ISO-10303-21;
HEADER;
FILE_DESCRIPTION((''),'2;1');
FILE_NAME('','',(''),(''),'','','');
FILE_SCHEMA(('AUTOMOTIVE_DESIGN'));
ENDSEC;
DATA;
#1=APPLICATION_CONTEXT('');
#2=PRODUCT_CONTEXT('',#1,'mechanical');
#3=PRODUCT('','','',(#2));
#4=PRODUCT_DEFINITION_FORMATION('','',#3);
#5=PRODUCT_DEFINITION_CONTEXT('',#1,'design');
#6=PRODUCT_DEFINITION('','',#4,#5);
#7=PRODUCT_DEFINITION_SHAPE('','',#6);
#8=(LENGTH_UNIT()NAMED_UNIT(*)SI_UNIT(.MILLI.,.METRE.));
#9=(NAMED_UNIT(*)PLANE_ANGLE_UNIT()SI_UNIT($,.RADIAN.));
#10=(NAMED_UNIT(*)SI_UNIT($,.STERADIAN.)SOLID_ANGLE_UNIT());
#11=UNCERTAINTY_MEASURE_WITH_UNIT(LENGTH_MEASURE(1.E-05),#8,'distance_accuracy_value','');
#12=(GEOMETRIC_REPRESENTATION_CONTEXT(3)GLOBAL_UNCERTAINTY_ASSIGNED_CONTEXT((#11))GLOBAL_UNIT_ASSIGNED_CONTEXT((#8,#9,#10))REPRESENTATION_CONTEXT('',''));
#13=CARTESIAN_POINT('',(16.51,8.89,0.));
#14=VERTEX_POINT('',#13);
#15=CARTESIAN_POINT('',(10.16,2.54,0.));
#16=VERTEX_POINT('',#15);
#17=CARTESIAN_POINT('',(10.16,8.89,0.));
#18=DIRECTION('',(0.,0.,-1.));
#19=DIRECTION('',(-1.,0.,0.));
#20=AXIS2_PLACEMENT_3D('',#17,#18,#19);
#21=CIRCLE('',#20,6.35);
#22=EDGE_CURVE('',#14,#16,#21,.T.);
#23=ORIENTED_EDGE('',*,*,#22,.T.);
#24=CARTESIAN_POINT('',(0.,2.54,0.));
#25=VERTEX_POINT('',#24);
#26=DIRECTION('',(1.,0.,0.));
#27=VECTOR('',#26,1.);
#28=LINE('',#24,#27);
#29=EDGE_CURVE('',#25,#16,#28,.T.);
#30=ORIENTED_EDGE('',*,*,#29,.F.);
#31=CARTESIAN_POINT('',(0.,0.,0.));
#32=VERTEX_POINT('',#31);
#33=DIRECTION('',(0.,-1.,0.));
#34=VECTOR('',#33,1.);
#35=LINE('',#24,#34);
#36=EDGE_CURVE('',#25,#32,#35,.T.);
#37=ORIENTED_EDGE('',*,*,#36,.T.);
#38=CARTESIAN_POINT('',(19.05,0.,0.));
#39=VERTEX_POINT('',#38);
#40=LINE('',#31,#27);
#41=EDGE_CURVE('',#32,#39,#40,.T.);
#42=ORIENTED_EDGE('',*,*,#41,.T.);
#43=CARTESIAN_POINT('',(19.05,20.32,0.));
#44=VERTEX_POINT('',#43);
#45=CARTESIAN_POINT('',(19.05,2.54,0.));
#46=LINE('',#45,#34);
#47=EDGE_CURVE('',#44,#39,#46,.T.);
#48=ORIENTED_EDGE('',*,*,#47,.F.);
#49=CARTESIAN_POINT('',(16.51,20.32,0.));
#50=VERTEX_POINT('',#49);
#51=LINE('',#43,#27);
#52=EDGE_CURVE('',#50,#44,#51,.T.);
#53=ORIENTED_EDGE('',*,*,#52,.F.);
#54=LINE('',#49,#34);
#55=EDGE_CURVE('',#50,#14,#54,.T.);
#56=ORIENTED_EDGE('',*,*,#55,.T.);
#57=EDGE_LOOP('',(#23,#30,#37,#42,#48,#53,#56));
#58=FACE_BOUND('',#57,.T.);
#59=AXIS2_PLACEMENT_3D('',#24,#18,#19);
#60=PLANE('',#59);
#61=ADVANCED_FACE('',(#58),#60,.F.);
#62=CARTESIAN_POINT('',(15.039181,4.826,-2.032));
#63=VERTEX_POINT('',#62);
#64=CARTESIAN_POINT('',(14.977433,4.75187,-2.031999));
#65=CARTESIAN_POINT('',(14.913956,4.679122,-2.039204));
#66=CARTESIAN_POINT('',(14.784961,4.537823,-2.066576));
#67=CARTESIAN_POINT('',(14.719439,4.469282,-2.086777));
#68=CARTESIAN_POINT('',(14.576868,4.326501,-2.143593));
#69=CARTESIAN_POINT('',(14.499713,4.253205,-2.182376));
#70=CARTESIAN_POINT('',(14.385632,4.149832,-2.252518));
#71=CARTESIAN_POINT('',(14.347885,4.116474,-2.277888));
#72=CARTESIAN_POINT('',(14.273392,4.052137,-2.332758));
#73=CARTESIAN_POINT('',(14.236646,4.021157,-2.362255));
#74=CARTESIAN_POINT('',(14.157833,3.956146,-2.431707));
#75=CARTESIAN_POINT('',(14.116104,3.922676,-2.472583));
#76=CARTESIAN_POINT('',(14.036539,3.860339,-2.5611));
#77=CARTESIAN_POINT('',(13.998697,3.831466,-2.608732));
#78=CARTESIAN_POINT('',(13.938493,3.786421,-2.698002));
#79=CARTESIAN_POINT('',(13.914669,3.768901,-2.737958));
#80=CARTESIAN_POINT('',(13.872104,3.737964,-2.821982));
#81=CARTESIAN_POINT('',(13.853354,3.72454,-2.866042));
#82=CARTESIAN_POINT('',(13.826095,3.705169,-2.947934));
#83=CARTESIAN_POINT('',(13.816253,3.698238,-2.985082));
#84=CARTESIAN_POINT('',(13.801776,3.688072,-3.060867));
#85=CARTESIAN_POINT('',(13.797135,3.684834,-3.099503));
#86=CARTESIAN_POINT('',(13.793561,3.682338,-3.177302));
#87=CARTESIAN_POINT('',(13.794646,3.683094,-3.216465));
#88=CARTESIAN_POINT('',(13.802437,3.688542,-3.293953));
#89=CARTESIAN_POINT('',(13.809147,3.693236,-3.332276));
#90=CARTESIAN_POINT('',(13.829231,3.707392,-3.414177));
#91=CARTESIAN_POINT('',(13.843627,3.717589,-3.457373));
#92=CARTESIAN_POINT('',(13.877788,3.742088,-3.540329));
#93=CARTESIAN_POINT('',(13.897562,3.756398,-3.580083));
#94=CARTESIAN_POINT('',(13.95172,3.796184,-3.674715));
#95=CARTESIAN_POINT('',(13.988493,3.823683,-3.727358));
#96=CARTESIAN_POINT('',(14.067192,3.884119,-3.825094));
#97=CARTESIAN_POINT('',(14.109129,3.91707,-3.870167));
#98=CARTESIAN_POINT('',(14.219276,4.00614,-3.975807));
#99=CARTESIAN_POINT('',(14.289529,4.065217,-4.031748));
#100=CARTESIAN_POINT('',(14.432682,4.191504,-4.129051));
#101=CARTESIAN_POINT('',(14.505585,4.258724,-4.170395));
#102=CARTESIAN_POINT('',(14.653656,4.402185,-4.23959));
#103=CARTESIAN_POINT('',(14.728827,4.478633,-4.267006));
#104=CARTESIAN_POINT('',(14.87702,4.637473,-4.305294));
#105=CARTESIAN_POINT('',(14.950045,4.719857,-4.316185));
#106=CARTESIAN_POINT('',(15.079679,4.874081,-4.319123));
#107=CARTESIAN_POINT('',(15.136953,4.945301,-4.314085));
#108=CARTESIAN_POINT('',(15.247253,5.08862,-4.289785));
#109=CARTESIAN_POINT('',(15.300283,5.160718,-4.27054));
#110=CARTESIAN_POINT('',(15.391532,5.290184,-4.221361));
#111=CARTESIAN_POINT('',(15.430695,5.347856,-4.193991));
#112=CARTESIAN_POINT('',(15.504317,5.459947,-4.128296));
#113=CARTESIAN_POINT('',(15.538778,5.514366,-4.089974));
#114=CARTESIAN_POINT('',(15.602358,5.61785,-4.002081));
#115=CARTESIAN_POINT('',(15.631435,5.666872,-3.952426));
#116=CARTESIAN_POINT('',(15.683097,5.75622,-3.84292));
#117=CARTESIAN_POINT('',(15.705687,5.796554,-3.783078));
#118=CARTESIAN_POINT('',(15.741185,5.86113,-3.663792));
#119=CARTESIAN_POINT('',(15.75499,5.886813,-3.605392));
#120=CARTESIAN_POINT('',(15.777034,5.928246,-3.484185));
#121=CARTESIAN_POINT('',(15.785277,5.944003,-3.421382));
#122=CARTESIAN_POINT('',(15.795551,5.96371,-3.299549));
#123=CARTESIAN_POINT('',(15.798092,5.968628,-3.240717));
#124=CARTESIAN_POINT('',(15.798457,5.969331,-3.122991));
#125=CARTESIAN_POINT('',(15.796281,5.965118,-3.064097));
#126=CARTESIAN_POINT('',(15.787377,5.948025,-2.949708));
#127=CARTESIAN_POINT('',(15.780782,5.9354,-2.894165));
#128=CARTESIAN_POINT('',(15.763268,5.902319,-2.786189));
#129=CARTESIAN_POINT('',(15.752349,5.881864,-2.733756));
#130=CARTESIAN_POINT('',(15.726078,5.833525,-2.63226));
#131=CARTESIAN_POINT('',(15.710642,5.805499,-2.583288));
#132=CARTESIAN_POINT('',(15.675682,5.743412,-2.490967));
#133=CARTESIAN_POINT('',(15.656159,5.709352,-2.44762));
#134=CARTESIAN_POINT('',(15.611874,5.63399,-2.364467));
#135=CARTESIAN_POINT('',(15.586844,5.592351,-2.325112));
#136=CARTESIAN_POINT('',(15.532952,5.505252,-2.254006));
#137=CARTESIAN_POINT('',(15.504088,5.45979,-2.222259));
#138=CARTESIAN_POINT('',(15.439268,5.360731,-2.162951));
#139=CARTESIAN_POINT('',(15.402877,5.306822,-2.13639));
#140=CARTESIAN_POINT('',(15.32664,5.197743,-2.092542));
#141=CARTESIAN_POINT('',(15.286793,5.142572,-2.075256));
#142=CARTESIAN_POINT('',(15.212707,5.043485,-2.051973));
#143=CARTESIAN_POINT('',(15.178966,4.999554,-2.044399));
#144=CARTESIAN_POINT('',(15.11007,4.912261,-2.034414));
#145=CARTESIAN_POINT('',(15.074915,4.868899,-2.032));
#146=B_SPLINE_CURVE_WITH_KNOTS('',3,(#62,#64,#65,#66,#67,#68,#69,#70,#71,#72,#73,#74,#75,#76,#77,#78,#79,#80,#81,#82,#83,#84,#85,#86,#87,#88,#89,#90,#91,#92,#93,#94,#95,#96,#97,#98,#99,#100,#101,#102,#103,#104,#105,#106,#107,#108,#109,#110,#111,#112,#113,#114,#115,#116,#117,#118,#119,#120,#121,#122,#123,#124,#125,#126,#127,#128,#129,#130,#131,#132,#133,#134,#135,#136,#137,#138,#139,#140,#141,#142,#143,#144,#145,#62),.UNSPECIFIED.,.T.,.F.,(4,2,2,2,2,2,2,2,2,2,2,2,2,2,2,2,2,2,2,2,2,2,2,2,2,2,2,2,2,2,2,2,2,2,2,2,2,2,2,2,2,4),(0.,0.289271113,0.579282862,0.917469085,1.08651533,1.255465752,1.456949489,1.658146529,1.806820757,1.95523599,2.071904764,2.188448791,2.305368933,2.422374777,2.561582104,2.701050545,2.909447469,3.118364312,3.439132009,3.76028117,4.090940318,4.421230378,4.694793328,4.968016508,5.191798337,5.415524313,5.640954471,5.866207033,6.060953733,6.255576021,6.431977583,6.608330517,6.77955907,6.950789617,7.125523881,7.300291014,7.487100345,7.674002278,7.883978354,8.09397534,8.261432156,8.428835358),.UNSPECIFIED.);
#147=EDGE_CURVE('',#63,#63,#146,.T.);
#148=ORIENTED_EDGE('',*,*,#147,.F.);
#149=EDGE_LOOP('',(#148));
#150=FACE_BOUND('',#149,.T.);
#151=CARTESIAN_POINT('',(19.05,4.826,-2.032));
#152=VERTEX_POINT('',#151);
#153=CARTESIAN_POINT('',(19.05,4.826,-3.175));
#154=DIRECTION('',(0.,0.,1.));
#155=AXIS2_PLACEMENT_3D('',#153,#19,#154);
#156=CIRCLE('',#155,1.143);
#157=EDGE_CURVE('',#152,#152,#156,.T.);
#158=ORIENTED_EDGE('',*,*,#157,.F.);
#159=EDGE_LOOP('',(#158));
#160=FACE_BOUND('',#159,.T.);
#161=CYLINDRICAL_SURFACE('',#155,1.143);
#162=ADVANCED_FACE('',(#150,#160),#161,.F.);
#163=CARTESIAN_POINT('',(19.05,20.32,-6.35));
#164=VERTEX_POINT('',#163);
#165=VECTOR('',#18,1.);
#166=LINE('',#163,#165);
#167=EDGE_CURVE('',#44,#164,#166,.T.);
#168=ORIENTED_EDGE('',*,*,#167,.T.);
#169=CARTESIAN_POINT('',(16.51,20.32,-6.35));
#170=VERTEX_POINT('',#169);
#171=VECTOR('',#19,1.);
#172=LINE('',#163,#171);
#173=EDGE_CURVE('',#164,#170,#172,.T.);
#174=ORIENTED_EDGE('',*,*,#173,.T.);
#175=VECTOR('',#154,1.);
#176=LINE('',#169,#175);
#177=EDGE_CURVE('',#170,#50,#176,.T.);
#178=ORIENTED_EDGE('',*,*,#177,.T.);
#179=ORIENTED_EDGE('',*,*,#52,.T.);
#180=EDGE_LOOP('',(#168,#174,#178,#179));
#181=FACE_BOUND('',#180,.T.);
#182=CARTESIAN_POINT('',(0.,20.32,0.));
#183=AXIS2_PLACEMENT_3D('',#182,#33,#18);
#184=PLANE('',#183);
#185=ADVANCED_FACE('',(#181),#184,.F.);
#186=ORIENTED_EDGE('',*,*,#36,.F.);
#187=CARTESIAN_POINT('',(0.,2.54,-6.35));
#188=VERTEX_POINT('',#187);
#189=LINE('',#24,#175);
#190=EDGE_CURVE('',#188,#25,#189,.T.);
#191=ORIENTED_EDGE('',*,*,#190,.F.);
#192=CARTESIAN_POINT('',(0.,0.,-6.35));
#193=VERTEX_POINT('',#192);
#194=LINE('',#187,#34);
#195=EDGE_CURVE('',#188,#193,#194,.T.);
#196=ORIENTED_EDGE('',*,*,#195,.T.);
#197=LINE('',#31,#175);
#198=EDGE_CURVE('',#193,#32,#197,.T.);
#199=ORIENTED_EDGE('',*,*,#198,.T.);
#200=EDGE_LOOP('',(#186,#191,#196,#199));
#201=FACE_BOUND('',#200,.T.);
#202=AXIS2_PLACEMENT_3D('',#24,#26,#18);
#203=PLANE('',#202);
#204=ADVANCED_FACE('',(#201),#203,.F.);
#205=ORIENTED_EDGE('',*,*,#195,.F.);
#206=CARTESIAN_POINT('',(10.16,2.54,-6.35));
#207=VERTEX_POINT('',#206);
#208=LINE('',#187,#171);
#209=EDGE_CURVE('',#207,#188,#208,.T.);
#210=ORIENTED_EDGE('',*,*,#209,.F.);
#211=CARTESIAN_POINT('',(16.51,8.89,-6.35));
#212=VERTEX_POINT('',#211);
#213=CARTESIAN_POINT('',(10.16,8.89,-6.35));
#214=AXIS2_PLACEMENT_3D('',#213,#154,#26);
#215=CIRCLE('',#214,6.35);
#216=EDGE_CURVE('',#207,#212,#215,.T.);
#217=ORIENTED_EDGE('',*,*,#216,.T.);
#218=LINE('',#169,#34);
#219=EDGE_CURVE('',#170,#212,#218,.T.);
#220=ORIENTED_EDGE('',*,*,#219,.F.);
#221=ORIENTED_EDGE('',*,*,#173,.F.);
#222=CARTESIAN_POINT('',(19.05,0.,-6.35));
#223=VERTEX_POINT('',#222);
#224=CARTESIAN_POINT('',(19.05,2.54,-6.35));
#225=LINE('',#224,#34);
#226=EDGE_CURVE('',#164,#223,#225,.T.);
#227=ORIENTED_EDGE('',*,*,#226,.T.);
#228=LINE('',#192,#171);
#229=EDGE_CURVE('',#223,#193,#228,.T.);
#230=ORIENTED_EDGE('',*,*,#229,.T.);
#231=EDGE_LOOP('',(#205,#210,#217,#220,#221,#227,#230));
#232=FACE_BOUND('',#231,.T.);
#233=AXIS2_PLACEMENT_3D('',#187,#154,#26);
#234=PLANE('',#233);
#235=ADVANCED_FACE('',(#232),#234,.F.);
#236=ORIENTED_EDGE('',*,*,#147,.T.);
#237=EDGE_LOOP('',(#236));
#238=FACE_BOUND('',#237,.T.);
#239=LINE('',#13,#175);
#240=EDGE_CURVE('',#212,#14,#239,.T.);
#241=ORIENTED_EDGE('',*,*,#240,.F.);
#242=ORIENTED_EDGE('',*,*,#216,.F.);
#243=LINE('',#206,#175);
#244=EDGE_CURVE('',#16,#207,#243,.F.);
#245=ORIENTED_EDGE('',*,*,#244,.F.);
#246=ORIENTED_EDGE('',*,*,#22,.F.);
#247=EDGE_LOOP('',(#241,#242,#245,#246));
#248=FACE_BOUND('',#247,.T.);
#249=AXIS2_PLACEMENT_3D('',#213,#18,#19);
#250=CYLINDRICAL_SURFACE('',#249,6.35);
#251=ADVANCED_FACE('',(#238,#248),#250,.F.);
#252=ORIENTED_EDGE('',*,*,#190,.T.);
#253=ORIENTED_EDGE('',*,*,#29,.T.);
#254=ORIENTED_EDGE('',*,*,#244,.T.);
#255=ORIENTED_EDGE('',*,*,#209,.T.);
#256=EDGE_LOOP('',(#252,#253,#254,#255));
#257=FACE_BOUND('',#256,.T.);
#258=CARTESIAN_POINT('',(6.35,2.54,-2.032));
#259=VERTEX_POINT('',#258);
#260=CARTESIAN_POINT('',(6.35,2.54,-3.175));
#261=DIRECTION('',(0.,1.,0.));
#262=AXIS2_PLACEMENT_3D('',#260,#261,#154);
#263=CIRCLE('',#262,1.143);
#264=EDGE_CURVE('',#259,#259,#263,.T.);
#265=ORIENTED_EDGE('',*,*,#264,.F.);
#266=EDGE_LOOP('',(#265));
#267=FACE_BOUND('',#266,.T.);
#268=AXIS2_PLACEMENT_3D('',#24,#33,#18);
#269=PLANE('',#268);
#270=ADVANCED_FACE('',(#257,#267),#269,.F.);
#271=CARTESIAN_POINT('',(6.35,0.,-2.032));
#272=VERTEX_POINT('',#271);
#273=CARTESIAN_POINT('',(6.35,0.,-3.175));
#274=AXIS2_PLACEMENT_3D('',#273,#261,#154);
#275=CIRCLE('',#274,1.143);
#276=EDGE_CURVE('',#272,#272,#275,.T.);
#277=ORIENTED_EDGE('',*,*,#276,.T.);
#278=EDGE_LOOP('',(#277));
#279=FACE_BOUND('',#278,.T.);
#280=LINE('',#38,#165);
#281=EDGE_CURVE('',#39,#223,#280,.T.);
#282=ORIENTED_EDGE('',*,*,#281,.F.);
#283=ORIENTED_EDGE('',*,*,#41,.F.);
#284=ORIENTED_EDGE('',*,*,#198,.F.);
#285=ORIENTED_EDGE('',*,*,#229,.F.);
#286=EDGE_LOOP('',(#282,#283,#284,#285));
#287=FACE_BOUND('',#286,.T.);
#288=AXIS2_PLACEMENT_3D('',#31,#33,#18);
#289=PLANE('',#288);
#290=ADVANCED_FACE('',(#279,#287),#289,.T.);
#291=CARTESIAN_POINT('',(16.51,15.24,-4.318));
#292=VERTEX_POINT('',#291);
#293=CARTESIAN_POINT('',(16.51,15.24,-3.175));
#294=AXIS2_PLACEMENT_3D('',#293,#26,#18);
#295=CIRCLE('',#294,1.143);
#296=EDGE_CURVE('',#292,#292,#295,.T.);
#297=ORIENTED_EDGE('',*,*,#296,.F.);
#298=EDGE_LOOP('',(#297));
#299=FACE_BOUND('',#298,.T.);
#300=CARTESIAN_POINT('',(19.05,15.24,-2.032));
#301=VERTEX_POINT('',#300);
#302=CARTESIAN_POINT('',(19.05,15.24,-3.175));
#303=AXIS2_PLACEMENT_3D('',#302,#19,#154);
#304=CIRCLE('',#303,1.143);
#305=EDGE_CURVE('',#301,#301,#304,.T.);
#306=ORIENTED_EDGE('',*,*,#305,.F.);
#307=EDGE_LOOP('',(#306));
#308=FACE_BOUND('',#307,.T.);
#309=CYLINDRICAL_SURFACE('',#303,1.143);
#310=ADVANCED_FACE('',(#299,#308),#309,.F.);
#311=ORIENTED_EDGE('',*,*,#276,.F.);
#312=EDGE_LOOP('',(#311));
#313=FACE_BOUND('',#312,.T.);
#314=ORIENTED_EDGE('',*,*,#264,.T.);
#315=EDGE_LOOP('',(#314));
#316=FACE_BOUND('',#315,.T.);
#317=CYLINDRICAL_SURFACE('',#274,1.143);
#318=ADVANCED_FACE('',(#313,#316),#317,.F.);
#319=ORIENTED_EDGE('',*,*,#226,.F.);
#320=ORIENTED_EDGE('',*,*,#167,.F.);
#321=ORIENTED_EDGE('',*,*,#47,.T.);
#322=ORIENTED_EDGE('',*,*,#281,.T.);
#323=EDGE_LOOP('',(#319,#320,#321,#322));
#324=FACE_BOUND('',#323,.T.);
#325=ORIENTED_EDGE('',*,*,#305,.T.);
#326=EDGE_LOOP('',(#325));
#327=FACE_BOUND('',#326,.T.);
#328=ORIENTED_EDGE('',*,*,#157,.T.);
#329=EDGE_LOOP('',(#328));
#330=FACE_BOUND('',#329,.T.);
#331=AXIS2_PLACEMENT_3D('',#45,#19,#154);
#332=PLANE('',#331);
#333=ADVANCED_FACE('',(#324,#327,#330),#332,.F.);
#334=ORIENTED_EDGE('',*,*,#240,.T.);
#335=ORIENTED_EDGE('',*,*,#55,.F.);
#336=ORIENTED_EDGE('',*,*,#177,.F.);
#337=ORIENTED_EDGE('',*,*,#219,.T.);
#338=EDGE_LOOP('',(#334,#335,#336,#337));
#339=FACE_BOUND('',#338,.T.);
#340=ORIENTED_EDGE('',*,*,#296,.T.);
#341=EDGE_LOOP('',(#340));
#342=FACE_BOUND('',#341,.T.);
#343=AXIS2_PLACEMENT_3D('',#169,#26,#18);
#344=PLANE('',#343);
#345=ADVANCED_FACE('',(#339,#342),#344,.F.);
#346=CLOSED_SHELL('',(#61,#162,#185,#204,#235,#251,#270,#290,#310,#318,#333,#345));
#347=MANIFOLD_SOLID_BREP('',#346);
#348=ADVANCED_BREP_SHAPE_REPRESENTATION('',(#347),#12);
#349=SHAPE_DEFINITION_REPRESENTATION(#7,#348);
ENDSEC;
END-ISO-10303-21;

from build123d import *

# Parameters (mm, degrees)
SKETCH2_W               = 19.05
SKETCH2_H               = 6.35
BOSS_EXTRUDE1_DEPTH     = 2.54
SKETCH3_W               = 2.54
SKETCH3_H               = 6.35
BOSS_EXTRUDE2_DEPTH     = 17.78
FILLET1_R               = 6.35
SKETCH4_R               = 1.143
CUT_EXTRUDE1_DEPTH      = 27.820764344
CUT_EXTRUDE2_DEPTH      = 27.940768363
CUT_EXTRUDE2_DEPTH_BACK = 27.940768363
SKETCH5_R               = 1.143


with BuildPart() as part:
    # Sketch2 → Boss-Extrude1 (new body)
    with BuildSketch(Plane(origin=(0, 0, 0), x_dir=(1, 0, 0), z_dir=(0, 1, 0))):
        with Locations((9.525, 3.175)):
            Rectangle(SKETCH2_W, SKETCH2_H)
    extrude(amount=BOSS_EXTRUDE1_DEPTH)

    # Sketch3 → Boss-Extrude2 (add)
    with BuildSketch(Plane(origin=(0, 2.54, 0), x_dir=(1, 0, 0), z_dir=(0, 1, 0))):
        with Locations((17.78, 3.175)):
            Rectangle(SKETCH3_W, SKETCH3_H)
    extrude(amount=BOSS_EXTRUDE2_DEPTH)

    # Fillet1
    fillet1_edges = [part.edges().sort_by_distance(p)[0] for p in [
        (16.51, 2.54, -3.175),
    ]]
    fillet(fillet1_edges, radius=FILLET1_R)

    # Sketch4 → Cut-Extrude1 (cut, through all)
    with BuildSketch(Plane(origin=(0, 2.54, 0), x_dir=(1, 0, 0), z_dir=(0, 1, 0))):
        with Locations(Location((6.35, 3.175, 0), (0, 0, 270))):
            Circle(SKETCH4_R)
    extrude(amount=-CUT_EXTRUDE1_DEPTH, mode=Mode.SUBTRACT)

    # Sketch5 → Cut-Extrude2 (cut, two sides: drawn at the far end of the back side and taken through both)
    with BuildSketch(Plane.ZY.offset(-16.51).offset(-CUT_EXTRUDE2_DEPTH_BACK)):
        with Locations((-3.175, 15.24)):
            Circle(SKETCH5_R)
        with Locations((-3.175, 4.826)):
            Circle(SKETCH5_R)
    extrude(amount=CUT_EXTRUDE2_DEPTH + CUT_EXTRUDE2_DEPTH_BACK, mode=Mode.SUBTRACT)


solid = part.part
